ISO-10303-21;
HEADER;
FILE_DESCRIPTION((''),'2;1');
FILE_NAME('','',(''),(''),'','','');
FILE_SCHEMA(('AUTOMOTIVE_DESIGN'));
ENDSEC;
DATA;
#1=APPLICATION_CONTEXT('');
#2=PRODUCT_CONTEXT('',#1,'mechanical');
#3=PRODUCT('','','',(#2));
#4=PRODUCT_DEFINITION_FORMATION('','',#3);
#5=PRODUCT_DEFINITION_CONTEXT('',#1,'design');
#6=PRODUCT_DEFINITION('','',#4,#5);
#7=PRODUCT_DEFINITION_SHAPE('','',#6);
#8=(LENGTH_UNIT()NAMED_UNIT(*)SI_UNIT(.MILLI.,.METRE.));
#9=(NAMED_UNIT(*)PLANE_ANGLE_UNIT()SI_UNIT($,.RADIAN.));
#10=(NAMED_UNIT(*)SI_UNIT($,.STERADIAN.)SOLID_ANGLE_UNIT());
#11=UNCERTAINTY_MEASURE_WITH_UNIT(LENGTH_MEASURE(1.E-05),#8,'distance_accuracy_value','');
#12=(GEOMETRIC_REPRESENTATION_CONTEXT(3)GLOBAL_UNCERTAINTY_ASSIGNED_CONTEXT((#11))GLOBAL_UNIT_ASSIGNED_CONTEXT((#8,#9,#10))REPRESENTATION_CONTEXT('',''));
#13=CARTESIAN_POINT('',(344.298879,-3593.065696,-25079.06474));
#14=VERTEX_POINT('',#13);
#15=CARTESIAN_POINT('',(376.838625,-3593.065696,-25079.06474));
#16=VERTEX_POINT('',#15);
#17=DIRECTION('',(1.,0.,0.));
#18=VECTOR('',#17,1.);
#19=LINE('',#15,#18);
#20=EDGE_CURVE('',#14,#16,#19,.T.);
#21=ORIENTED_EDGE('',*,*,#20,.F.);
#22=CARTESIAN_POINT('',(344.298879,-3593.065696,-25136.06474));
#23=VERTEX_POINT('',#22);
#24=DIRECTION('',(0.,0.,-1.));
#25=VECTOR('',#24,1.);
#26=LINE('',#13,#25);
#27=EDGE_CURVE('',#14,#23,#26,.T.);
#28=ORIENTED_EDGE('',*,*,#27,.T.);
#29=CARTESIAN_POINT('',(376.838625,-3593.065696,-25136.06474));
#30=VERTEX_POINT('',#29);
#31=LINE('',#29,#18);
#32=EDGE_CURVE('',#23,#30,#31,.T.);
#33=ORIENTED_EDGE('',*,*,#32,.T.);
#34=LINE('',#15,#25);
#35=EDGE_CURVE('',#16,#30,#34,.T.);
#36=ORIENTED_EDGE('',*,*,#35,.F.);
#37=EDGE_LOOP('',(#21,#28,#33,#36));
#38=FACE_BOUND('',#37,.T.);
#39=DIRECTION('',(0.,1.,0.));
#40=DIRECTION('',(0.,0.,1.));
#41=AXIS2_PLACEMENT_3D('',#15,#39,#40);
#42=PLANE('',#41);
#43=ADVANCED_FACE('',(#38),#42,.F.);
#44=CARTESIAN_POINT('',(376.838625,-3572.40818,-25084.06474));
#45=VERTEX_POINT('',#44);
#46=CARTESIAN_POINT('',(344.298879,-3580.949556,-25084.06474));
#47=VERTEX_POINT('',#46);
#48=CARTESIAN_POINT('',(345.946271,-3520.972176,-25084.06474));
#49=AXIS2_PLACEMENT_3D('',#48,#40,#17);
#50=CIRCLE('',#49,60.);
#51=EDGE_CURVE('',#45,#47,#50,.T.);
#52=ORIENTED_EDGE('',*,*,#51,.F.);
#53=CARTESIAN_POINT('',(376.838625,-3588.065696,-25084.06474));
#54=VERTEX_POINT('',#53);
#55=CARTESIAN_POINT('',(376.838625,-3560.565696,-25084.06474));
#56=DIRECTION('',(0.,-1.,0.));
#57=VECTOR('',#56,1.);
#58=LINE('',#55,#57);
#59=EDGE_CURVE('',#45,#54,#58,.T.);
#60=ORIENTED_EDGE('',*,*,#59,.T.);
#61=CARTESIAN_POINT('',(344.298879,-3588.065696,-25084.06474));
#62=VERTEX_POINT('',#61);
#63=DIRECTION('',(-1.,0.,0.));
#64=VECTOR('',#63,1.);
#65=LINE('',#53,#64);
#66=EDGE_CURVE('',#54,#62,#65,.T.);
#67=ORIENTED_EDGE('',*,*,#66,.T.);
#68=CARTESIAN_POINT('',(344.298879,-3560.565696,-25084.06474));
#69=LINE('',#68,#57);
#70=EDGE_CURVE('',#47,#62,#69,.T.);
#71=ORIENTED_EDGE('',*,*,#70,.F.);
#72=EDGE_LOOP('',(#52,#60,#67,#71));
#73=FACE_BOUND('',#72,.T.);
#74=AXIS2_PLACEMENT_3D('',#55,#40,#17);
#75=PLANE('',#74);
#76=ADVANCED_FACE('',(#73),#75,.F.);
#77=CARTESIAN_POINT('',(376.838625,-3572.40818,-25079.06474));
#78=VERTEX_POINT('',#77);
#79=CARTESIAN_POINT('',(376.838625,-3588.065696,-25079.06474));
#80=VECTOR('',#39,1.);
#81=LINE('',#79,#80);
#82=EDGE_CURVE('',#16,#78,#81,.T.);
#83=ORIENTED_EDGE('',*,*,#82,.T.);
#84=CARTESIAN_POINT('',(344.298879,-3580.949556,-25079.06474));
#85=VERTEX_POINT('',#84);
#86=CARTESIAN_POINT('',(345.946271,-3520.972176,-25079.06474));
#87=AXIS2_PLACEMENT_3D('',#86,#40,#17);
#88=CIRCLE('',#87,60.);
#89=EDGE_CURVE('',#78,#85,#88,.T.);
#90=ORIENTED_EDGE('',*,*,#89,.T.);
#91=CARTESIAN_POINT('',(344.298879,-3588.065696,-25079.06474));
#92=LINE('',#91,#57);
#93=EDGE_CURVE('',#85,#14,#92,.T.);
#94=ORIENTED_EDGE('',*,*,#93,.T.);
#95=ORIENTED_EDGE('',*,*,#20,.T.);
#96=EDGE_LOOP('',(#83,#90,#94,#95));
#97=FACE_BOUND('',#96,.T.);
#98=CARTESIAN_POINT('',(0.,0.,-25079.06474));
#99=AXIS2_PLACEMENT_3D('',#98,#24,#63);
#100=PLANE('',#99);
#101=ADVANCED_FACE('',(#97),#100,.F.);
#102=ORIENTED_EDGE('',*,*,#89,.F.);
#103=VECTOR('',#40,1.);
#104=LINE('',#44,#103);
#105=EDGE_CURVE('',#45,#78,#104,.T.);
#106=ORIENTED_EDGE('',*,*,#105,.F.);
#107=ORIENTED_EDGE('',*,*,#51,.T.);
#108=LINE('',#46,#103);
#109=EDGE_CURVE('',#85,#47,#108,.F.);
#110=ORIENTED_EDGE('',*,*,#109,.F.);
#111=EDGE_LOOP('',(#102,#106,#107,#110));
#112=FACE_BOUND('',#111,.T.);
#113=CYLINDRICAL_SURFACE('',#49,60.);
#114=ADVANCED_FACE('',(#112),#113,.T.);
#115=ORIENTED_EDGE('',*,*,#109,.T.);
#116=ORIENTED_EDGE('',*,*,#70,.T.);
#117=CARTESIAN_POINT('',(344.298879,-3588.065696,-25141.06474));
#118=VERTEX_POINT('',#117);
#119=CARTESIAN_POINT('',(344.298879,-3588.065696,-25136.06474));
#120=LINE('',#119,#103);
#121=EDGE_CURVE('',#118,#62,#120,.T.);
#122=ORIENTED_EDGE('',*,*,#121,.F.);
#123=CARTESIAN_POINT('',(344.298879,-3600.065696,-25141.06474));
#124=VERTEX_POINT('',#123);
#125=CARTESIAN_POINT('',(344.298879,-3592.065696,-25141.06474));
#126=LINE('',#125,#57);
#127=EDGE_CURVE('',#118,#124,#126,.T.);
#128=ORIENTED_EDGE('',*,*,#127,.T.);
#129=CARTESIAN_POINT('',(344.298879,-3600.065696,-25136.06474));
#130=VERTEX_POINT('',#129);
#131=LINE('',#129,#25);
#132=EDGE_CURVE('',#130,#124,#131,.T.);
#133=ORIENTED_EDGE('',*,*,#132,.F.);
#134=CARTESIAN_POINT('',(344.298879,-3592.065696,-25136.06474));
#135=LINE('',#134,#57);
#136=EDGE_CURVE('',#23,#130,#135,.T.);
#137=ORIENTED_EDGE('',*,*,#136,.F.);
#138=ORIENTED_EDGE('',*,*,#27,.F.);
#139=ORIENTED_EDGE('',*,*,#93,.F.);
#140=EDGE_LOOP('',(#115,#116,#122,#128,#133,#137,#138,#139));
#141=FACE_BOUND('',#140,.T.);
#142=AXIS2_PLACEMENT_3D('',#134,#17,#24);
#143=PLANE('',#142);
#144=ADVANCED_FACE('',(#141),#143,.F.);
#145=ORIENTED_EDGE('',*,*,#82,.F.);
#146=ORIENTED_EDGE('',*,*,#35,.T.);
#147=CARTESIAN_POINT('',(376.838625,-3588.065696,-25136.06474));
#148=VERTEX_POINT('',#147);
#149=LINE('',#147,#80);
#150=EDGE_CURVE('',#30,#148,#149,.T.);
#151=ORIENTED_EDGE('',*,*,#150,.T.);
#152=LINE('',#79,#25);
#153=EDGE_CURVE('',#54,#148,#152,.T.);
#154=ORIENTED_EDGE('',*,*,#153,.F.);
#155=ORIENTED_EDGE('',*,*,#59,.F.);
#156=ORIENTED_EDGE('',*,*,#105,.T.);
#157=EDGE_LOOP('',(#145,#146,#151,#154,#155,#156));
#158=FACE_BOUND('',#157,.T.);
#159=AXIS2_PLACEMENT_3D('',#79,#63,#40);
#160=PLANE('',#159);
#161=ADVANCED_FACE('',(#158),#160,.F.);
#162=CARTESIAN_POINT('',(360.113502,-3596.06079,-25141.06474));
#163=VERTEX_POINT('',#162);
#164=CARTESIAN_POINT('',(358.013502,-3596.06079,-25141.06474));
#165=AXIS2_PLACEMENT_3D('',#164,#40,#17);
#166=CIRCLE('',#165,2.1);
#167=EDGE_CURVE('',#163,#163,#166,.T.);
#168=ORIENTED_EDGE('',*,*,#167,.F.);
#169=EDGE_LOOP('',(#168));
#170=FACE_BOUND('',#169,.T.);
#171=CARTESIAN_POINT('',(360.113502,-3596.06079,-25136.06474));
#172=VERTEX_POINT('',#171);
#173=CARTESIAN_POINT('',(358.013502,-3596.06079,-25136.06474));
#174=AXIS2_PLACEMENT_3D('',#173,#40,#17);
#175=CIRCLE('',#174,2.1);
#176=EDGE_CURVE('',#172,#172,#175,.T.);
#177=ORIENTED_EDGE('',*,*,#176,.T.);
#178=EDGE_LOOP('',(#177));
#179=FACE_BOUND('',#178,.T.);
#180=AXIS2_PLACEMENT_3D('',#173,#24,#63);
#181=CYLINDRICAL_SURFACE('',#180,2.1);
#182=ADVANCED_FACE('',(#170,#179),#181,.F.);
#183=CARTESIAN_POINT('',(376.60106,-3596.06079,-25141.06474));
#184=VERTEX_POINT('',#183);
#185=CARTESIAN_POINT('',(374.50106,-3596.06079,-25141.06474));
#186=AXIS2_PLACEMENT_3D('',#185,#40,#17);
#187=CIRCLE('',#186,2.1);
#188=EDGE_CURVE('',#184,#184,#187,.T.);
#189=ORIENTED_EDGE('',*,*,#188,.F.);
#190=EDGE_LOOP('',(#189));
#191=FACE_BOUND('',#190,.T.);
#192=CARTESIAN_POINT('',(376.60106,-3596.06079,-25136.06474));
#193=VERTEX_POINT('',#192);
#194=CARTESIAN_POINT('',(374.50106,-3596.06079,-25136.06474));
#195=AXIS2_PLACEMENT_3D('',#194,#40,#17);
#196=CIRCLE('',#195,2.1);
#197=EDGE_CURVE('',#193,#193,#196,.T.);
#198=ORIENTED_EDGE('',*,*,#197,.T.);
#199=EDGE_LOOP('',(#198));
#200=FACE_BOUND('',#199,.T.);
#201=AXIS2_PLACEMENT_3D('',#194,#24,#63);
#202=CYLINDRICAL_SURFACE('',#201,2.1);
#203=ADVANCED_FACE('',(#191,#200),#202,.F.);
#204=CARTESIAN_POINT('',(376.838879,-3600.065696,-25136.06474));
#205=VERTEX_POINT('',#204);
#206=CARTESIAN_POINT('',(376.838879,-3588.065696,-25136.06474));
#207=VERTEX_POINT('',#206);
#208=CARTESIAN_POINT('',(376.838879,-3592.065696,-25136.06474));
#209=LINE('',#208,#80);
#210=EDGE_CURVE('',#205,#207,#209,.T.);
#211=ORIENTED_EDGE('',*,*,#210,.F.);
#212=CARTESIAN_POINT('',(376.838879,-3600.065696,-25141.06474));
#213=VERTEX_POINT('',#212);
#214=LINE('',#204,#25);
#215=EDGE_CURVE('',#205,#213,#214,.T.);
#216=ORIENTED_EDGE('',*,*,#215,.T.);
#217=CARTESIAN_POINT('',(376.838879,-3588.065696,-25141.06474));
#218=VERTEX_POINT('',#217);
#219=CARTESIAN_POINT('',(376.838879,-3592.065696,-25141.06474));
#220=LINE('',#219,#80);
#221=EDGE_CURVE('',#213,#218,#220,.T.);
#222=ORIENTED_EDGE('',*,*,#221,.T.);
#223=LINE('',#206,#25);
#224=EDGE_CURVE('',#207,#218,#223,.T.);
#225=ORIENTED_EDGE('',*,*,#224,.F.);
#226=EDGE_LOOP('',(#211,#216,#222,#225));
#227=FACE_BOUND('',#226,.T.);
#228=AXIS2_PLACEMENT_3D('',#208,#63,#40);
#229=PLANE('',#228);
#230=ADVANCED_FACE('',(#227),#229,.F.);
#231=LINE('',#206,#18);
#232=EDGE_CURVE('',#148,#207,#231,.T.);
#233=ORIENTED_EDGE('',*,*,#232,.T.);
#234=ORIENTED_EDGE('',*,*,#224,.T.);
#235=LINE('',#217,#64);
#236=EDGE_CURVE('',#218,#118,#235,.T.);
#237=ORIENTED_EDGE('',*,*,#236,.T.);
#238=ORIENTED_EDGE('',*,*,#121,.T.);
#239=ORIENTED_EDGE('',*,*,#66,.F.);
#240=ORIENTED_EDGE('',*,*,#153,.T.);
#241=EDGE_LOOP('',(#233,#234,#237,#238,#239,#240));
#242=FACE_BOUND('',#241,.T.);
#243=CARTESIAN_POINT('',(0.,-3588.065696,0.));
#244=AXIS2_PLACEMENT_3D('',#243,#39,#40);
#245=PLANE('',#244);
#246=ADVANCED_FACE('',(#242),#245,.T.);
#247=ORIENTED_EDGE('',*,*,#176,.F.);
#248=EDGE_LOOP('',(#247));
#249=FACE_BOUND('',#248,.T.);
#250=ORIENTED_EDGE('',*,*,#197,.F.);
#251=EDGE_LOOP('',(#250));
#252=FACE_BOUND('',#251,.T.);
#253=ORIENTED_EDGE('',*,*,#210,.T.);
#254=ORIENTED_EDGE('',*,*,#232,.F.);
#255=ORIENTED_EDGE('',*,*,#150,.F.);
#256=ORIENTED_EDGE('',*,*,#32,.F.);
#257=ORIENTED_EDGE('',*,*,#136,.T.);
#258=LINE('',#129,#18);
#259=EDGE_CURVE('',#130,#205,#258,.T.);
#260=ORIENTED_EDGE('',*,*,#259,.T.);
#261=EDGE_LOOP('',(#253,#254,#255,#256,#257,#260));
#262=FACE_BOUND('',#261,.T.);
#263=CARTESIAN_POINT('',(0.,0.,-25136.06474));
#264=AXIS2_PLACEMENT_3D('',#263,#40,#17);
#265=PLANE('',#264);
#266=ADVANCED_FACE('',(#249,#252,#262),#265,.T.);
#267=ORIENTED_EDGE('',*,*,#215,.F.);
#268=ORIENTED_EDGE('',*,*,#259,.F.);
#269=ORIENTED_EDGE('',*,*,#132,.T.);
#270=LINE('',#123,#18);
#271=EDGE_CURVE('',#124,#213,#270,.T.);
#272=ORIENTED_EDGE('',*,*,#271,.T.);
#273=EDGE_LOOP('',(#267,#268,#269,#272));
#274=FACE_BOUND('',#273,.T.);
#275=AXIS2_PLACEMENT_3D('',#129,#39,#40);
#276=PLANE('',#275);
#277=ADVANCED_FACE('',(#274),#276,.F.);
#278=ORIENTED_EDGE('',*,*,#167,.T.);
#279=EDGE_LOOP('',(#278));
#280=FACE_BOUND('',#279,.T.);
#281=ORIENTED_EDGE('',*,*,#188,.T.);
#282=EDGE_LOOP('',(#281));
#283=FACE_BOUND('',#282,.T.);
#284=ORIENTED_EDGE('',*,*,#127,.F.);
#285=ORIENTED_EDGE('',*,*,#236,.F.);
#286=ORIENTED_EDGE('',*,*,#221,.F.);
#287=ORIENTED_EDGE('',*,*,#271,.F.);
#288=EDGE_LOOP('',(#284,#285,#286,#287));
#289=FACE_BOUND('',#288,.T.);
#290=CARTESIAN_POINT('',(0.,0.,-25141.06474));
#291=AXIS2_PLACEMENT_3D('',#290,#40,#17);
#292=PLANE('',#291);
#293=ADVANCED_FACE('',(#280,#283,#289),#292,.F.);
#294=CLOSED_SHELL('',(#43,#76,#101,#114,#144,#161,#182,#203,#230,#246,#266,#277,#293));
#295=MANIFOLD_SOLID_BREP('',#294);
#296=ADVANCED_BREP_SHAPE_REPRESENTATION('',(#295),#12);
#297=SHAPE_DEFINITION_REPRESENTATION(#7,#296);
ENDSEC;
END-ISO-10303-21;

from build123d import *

# Parameters (mm, degrees)
SKETCH2_W           = 32.54
SKETCH2_H           = 8
SKETCH2_R           = 2.1
BOSS_EXTRUDE1_DEPTH = 5
SKETCH3_W           = 32.54
SKETCH3_H           = 5
BOSS_EXTRUDE2_DEPTH = 4
SKETCH4_W           = 32.539746062
SKETCH4_H           = 5
BOSS_EXTRUDE3_DEPTH = 57
SKETCH5_W           = 32.539746062
SKETCH5_H           = 5
BOSS_EXTRUDE4_DEPTH = 27.5
SKETCH7_R           = 60
BOSS_EXTRUDE6_DEPTH = 5


with BuildPart() as part:
    # Sketch2 → Boss-Extrude1 (new body)
    with BuildSketch(Plane.XY.offset(-25141.064740445)):
        with Locations((360.568878819, -3596.065695557)):
            Rectangle(SKETCH2_W, SKETCH2_H)
        with Locations((374.501060255, -3596.060789622)):
            Circle(SKETCH2_R, mode=Mode.SUBTRACT)
        with Locations((358.013502112, -3596.060789622)):
            Circle(SKETCH2_R, mode=Mode.SUBTRACT)
    extrude(amount=BOSS_EXTRUDE1_DEPTH)

    # Sketch3 → Boss-Extrude2 (add)
    with BuildSketch(Plane(origin=(0, -3592.065695557, 0), x_dir=(1, 0, 0), z_dir=(0, 1, 0))):
        with Locations((360.568878819, 25138.564740445)):
            Rectangle(SKETCH3_W, SKETCH3_H)
    extrude(amount=BOSS_EXTRUDE2_DEPTH)

    # Sketch4 → Boss-Extrude3 (add)
    with BuildSketch(Plane.XY.offset(-25136.064740445)):
        with Locations((360.56875185, -3590.565695557)):
            Rectangle(SKETCH4_W, SKETCH4_H)
    extrude(amount=BOSS_EXTRUDE3_DEPTH)

    # Sketch5 → Boss-Extrude4 (add)
    with BuildSketch(Plane(origin=(0, -3588.065695557, 0), x_dir=(1, 0, 0), z_dir=(0, 1, 0))):
        with Locations((360.56875185, 25081.564740445)):
            Rectangle(SKETCH5_W, SKETCH5_H)
    extrude(amount=BOSS_EXTRUDE4_DEPTH)

    # Sketch7 → Boss-Extrude6 (add)
    with BuildSketch(Plane.XY.offset(-25079.064740445)):
        with Locations((345.94627105, -3520.972176103)):
            Circle(SKETCH7_R)
    extrude(amount=-BOSS_EXTRUDE6_DEPTH)


solid = part.part
